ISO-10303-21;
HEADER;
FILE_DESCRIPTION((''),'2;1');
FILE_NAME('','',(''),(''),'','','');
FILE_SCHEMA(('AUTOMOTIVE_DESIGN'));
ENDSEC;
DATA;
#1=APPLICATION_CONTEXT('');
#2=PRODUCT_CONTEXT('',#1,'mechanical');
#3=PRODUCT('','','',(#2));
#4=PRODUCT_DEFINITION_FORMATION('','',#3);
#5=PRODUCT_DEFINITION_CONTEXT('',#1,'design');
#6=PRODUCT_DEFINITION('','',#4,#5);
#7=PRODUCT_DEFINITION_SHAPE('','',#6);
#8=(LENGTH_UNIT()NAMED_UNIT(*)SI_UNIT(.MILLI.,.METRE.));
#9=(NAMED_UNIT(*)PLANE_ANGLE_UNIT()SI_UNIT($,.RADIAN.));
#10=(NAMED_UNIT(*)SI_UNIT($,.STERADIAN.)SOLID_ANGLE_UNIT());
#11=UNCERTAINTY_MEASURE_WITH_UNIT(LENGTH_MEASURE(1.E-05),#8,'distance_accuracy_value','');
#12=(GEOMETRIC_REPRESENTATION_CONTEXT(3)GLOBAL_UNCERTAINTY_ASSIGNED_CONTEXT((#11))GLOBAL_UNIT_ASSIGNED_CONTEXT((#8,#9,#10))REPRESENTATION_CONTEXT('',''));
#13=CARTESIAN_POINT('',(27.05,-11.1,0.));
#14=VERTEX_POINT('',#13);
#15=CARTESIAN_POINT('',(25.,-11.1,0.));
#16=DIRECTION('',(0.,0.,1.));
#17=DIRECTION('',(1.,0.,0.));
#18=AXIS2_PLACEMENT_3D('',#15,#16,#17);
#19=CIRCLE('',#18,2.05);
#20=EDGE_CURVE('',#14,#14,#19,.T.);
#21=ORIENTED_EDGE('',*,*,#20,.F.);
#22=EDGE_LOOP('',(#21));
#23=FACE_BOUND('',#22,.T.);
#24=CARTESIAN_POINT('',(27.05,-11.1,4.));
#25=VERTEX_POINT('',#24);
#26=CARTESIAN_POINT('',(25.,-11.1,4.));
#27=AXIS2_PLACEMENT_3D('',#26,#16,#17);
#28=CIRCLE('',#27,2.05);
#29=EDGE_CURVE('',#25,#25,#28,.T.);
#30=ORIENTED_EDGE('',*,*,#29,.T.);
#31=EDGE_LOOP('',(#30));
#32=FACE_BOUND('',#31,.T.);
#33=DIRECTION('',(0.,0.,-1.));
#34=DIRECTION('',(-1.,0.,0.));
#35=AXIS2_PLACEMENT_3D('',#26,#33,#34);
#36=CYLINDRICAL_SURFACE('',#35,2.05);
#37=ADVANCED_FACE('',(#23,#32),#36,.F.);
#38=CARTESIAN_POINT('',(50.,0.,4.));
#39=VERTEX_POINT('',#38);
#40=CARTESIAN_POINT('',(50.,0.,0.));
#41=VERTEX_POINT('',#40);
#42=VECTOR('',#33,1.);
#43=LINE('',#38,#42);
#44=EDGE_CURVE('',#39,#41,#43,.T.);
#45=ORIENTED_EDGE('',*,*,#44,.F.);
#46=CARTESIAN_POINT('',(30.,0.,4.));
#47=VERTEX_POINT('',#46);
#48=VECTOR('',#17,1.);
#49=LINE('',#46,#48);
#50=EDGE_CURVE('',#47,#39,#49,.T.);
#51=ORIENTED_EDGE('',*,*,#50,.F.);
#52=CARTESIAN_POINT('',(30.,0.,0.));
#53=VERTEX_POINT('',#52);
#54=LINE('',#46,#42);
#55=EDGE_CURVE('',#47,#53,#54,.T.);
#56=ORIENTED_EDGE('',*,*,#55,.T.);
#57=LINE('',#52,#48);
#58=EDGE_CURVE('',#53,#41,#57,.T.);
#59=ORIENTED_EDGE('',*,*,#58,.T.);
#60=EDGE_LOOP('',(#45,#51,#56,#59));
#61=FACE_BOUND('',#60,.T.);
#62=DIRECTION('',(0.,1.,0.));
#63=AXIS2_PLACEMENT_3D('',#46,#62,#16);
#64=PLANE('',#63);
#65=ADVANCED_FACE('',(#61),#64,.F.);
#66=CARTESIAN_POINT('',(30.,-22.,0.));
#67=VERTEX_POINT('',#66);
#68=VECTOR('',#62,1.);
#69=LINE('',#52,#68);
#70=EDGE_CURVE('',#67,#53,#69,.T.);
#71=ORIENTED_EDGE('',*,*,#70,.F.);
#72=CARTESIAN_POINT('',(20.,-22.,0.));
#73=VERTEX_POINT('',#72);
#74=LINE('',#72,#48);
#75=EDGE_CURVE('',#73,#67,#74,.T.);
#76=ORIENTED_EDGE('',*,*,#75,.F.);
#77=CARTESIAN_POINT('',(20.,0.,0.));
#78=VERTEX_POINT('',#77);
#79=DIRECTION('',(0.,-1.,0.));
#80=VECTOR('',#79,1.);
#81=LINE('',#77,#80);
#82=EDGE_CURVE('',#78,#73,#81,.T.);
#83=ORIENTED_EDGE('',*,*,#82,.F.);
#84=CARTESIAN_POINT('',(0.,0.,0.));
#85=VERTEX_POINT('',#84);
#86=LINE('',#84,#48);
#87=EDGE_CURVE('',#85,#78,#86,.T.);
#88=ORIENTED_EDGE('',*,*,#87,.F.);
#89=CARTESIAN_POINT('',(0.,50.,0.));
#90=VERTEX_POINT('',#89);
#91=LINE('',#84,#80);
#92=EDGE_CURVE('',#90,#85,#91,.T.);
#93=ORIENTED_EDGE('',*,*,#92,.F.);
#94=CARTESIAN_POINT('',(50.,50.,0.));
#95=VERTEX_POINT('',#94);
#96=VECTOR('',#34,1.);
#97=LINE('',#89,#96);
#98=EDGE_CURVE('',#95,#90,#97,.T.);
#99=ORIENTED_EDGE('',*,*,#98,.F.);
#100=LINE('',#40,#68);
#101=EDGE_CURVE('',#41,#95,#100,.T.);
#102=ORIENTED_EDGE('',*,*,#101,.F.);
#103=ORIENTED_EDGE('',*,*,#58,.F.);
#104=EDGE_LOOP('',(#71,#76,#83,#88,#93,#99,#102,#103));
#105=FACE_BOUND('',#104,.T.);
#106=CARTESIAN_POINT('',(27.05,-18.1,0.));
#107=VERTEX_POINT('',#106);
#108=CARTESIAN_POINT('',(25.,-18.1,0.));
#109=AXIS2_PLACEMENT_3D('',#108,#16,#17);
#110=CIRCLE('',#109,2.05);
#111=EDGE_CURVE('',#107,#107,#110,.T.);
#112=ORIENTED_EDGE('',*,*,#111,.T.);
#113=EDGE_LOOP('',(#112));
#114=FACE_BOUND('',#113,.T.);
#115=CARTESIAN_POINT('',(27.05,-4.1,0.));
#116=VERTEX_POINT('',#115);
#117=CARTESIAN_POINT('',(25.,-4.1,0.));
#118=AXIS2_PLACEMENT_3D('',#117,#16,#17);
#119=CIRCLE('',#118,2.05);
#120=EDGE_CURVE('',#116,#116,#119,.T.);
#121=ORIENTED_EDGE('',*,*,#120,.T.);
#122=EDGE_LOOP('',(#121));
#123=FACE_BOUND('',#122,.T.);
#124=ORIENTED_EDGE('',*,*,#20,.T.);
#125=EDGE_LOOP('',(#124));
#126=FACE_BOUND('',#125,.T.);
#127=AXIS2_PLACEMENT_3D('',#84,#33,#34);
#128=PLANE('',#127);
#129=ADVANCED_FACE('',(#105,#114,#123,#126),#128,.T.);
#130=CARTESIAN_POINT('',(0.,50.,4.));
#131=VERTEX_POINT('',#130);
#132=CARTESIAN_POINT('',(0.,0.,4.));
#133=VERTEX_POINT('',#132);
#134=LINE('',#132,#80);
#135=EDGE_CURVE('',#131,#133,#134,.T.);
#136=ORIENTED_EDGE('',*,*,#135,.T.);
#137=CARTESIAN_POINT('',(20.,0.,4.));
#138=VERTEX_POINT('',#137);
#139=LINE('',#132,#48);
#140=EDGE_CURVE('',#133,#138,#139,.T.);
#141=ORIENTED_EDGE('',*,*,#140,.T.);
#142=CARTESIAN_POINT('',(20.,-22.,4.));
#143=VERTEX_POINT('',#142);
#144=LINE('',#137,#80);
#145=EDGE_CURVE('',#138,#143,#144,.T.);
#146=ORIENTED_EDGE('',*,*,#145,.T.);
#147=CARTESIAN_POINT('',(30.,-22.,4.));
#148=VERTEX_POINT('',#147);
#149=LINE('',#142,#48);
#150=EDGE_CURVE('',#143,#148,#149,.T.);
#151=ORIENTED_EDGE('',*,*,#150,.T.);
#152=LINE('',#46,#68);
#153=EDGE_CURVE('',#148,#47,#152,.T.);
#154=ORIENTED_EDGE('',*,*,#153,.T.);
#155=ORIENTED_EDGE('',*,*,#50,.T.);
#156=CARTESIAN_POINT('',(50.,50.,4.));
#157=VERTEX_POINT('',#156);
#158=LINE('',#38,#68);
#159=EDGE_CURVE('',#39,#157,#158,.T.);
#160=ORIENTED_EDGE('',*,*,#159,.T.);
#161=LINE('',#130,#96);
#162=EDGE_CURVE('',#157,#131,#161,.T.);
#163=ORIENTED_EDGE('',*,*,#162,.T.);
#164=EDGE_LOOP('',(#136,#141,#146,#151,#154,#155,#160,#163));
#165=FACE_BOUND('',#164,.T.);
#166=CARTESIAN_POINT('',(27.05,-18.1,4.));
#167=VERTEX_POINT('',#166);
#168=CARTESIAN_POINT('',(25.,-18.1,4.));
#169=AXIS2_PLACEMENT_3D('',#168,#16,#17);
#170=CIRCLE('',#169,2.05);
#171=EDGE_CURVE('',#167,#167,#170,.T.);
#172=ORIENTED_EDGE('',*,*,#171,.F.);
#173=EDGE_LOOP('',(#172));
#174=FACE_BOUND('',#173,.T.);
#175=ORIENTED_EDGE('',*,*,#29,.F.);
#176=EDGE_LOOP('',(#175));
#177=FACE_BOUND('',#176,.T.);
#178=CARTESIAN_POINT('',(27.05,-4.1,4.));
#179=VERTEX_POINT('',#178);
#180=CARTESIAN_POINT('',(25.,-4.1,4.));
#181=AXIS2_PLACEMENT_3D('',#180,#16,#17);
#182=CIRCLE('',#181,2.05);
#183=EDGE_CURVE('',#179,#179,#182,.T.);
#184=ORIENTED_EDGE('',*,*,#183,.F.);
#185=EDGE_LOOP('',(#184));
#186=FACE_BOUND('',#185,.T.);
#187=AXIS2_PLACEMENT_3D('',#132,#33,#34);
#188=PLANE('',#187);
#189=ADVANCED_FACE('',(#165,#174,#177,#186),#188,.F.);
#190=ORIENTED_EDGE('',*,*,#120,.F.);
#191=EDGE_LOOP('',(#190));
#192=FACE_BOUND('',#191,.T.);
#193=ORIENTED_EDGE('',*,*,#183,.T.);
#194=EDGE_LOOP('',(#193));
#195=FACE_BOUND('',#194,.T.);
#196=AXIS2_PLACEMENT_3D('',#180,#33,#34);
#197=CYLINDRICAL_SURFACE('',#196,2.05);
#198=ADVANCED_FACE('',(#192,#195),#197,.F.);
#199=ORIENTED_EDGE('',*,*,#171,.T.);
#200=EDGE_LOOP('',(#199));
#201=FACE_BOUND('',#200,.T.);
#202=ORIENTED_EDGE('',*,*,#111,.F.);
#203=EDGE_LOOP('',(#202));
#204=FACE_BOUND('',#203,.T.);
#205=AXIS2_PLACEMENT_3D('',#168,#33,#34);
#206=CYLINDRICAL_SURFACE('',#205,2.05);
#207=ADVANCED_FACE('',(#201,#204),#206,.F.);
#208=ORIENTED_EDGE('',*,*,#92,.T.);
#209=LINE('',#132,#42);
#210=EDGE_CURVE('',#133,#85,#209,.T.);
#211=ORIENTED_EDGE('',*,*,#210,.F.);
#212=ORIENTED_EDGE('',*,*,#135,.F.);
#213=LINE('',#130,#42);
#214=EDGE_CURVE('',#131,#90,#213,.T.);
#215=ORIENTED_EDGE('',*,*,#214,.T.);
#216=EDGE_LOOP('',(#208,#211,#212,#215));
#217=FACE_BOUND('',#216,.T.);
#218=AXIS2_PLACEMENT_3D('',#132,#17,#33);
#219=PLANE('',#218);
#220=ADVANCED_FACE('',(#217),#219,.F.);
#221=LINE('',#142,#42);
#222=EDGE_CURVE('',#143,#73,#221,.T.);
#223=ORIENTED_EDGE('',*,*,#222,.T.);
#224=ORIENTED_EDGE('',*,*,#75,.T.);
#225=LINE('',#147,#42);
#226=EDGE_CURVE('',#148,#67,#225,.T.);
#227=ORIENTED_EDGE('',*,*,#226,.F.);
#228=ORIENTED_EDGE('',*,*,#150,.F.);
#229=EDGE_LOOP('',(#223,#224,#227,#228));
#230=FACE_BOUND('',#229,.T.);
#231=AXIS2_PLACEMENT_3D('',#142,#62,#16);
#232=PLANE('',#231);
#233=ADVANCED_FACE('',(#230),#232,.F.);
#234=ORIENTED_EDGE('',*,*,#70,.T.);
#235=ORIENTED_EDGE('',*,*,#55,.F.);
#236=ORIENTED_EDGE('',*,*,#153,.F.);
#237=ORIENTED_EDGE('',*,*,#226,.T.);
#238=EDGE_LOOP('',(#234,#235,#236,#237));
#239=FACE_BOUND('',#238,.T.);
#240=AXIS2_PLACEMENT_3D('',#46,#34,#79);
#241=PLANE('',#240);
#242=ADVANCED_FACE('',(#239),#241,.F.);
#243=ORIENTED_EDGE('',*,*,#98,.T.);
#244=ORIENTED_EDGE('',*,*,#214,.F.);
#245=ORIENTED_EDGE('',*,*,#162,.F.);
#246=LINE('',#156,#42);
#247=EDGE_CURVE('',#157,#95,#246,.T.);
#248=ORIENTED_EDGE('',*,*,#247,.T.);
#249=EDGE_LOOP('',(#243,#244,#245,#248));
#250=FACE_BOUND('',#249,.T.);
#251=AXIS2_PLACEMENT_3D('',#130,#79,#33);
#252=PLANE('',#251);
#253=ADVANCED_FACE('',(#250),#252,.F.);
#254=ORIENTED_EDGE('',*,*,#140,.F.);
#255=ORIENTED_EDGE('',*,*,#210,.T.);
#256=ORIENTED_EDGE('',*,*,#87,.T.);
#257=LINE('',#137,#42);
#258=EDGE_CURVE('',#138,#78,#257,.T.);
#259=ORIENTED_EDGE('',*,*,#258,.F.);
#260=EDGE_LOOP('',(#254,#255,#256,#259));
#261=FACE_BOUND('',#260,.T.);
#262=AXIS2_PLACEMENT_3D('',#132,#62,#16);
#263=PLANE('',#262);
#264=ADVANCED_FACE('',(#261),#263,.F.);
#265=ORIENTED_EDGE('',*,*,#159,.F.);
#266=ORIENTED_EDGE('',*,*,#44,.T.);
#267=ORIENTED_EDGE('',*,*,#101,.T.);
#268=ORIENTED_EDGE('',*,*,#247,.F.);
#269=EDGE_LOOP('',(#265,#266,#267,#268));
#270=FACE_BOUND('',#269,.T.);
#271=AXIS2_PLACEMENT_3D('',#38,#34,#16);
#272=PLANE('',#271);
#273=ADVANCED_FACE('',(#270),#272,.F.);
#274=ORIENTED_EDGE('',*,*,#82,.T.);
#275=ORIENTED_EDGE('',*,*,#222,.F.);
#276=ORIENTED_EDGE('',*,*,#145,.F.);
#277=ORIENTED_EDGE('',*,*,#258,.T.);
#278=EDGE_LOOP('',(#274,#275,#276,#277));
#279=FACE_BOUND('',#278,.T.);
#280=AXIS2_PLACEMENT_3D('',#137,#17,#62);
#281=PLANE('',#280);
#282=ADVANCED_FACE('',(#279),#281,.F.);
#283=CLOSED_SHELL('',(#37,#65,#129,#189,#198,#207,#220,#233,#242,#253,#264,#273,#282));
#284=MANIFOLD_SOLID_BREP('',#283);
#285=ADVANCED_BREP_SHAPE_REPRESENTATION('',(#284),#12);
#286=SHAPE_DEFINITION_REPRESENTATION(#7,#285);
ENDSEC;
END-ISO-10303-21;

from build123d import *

# Parameters (mm, degrees)
SKETCH1_R           = 2.05
BOSS_EXTRUDE1_DEPTH = 4


with BuildPart() as part:
    # Sketch1 → Boss-Extrude1 (new body)
    with BuildSketch(Plane.XY):
        Polygon((0, 0), (20, 0), (20, -22), (30, -22), (30, 0), (50, 0), (50, 50), (0, 50), align=None)
        with Locations((25, -18.1)):
            Circle(SKETCH1_R, mode=Mode.SUBTRACT)
        with Locations((25, -11.1)):
            Circle(SKETCH1_R, mode=Mode.SUBTRACT)
        with Locations((25, -4.1)):
            Circle(SKETCH1_R, mode=Mode.SUBTRACT)
    extrude(amount=BOSS_EXTRUDE1_DEPTH)


solid = part.part
